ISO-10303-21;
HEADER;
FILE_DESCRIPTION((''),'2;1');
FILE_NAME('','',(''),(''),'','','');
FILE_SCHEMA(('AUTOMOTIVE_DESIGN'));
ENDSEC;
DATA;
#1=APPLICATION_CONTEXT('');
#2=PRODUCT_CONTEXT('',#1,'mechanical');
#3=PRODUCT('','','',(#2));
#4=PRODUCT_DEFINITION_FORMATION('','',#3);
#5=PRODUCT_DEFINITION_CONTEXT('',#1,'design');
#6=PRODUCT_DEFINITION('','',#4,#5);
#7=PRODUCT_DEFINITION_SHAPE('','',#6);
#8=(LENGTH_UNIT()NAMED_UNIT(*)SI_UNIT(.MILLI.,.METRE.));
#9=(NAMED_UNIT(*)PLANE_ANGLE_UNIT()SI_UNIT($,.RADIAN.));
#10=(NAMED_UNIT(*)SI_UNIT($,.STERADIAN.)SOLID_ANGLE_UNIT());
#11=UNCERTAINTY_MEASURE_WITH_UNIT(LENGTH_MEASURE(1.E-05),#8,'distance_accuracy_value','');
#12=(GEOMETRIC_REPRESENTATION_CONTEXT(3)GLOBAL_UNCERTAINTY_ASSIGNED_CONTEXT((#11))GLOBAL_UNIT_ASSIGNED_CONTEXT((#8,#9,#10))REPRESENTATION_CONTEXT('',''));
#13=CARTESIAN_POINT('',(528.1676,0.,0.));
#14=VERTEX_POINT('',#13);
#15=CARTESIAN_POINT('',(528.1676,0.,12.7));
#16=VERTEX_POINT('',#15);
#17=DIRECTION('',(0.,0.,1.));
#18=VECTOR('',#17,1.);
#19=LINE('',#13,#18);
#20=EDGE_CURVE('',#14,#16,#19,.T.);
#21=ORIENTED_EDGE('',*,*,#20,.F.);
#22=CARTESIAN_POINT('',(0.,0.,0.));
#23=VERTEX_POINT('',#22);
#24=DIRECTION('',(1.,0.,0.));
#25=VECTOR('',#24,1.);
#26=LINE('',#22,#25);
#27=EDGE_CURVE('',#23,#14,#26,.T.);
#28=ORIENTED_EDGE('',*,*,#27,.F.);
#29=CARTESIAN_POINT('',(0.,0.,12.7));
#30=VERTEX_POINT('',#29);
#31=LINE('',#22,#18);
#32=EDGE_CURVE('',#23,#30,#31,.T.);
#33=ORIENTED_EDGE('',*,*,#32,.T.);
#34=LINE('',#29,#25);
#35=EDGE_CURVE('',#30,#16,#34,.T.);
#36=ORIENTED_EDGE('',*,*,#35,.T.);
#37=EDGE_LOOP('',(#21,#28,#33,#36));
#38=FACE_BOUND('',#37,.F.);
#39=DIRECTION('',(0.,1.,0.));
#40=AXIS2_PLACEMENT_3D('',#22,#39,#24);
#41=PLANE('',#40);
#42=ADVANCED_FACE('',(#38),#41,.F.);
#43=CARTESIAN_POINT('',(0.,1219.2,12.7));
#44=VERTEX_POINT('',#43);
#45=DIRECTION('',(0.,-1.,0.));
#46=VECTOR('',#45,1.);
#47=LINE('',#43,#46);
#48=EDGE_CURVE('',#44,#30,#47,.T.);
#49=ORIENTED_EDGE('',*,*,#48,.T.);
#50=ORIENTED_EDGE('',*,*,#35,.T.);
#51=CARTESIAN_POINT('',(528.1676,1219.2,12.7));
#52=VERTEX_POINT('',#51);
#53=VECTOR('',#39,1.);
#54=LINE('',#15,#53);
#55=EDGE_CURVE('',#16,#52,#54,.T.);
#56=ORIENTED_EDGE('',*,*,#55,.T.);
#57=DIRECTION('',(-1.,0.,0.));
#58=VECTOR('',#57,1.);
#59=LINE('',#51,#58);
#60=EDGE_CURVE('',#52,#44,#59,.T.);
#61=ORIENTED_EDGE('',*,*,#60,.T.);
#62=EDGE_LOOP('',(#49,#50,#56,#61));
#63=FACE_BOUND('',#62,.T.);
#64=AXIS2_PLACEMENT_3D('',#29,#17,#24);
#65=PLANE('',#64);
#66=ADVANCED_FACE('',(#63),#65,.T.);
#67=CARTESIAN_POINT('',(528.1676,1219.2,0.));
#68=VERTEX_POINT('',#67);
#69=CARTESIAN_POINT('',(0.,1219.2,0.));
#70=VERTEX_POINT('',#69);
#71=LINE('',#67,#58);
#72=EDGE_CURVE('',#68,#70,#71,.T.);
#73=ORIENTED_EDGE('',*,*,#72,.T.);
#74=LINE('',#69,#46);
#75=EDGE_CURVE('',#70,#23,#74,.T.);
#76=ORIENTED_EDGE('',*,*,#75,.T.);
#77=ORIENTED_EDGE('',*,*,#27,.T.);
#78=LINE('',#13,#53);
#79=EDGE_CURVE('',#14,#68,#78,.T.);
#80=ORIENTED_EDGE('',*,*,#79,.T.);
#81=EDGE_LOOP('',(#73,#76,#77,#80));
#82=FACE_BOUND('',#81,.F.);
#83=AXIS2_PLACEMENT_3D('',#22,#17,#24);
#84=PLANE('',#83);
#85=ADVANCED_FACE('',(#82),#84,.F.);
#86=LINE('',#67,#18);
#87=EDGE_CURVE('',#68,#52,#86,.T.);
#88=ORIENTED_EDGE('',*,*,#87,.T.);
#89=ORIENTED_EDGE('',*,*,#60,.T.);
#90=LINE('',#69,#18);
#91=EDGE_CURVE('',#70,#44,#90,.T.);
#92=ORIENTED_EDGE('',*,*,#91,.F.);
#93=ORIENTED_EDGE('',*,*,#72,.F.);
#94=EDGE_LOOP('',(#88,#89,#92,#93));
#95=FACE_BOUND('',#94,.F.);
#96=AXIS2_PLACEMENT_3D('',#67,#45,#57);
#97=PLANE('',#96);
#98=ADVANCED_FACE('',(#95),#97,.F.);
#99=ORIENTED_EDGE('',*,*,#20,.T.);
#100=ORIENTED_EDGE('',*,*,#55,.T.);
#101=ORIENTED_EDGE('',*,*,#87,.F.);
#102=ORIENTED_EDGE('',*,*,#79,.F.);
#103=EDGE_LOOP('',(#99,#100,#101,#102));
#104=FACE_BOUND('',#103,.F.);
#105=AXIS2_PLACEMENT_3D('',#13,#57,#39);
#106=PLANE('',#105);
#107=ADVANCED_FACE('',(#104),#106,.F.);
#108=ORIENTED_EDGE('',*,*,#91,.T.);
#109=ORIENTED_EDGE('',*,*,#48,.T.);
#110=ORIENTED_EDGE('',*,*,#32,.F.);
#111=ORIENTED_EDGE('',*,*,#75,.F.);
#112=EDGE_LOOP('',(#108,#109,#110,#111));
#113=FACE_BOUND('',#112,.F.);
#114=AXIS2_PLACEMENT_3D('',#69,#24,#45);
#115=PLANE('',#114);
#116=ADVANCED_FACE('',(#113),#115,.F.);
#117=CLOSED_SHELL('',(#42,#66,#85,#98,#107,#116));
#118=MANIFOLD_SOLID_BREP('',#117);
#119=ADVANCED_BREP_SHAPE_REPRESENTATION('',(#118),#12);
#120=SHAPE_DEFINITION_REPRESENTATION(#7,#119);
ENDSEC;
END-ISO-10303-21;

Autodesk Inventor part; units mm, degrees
ref_plane "YZ Plane" through (0, 0, 0) normal (1, 0, 0) x (0, 1, 0)
ref_plane "XZ Plane" through (0, 0, 0) normal (0, 1, 0) x (-1, 0, 0)
ref_plane "XY Plane" through (0, 0, 0) normal (0, 0, 1) x (1, 0, 0)
sketch "Sketch1" plane through (0, 0, 0) normal (0, 0, 1) x (1, 0, 0)
  line L0 (0, 0) -> (528.1676, 0)
  line L1 (528.1676, 0) -> (528.1676, 1219.2)
  line L2 (528.1676, 1219.2) -> (0, 1219.2)
  line L3 (0, 1219.2) -> (0, 0)
  dimension "d2" = 1219.2
  dimension "d3" = 528.1676
extrude "Extrusion1" add sketch "Sketch1" along normal blind 12.7
properties part number "OSB_For_Walls_With_Dimensions_20.604_x_48_Inches" material "Wood (Birch)"
